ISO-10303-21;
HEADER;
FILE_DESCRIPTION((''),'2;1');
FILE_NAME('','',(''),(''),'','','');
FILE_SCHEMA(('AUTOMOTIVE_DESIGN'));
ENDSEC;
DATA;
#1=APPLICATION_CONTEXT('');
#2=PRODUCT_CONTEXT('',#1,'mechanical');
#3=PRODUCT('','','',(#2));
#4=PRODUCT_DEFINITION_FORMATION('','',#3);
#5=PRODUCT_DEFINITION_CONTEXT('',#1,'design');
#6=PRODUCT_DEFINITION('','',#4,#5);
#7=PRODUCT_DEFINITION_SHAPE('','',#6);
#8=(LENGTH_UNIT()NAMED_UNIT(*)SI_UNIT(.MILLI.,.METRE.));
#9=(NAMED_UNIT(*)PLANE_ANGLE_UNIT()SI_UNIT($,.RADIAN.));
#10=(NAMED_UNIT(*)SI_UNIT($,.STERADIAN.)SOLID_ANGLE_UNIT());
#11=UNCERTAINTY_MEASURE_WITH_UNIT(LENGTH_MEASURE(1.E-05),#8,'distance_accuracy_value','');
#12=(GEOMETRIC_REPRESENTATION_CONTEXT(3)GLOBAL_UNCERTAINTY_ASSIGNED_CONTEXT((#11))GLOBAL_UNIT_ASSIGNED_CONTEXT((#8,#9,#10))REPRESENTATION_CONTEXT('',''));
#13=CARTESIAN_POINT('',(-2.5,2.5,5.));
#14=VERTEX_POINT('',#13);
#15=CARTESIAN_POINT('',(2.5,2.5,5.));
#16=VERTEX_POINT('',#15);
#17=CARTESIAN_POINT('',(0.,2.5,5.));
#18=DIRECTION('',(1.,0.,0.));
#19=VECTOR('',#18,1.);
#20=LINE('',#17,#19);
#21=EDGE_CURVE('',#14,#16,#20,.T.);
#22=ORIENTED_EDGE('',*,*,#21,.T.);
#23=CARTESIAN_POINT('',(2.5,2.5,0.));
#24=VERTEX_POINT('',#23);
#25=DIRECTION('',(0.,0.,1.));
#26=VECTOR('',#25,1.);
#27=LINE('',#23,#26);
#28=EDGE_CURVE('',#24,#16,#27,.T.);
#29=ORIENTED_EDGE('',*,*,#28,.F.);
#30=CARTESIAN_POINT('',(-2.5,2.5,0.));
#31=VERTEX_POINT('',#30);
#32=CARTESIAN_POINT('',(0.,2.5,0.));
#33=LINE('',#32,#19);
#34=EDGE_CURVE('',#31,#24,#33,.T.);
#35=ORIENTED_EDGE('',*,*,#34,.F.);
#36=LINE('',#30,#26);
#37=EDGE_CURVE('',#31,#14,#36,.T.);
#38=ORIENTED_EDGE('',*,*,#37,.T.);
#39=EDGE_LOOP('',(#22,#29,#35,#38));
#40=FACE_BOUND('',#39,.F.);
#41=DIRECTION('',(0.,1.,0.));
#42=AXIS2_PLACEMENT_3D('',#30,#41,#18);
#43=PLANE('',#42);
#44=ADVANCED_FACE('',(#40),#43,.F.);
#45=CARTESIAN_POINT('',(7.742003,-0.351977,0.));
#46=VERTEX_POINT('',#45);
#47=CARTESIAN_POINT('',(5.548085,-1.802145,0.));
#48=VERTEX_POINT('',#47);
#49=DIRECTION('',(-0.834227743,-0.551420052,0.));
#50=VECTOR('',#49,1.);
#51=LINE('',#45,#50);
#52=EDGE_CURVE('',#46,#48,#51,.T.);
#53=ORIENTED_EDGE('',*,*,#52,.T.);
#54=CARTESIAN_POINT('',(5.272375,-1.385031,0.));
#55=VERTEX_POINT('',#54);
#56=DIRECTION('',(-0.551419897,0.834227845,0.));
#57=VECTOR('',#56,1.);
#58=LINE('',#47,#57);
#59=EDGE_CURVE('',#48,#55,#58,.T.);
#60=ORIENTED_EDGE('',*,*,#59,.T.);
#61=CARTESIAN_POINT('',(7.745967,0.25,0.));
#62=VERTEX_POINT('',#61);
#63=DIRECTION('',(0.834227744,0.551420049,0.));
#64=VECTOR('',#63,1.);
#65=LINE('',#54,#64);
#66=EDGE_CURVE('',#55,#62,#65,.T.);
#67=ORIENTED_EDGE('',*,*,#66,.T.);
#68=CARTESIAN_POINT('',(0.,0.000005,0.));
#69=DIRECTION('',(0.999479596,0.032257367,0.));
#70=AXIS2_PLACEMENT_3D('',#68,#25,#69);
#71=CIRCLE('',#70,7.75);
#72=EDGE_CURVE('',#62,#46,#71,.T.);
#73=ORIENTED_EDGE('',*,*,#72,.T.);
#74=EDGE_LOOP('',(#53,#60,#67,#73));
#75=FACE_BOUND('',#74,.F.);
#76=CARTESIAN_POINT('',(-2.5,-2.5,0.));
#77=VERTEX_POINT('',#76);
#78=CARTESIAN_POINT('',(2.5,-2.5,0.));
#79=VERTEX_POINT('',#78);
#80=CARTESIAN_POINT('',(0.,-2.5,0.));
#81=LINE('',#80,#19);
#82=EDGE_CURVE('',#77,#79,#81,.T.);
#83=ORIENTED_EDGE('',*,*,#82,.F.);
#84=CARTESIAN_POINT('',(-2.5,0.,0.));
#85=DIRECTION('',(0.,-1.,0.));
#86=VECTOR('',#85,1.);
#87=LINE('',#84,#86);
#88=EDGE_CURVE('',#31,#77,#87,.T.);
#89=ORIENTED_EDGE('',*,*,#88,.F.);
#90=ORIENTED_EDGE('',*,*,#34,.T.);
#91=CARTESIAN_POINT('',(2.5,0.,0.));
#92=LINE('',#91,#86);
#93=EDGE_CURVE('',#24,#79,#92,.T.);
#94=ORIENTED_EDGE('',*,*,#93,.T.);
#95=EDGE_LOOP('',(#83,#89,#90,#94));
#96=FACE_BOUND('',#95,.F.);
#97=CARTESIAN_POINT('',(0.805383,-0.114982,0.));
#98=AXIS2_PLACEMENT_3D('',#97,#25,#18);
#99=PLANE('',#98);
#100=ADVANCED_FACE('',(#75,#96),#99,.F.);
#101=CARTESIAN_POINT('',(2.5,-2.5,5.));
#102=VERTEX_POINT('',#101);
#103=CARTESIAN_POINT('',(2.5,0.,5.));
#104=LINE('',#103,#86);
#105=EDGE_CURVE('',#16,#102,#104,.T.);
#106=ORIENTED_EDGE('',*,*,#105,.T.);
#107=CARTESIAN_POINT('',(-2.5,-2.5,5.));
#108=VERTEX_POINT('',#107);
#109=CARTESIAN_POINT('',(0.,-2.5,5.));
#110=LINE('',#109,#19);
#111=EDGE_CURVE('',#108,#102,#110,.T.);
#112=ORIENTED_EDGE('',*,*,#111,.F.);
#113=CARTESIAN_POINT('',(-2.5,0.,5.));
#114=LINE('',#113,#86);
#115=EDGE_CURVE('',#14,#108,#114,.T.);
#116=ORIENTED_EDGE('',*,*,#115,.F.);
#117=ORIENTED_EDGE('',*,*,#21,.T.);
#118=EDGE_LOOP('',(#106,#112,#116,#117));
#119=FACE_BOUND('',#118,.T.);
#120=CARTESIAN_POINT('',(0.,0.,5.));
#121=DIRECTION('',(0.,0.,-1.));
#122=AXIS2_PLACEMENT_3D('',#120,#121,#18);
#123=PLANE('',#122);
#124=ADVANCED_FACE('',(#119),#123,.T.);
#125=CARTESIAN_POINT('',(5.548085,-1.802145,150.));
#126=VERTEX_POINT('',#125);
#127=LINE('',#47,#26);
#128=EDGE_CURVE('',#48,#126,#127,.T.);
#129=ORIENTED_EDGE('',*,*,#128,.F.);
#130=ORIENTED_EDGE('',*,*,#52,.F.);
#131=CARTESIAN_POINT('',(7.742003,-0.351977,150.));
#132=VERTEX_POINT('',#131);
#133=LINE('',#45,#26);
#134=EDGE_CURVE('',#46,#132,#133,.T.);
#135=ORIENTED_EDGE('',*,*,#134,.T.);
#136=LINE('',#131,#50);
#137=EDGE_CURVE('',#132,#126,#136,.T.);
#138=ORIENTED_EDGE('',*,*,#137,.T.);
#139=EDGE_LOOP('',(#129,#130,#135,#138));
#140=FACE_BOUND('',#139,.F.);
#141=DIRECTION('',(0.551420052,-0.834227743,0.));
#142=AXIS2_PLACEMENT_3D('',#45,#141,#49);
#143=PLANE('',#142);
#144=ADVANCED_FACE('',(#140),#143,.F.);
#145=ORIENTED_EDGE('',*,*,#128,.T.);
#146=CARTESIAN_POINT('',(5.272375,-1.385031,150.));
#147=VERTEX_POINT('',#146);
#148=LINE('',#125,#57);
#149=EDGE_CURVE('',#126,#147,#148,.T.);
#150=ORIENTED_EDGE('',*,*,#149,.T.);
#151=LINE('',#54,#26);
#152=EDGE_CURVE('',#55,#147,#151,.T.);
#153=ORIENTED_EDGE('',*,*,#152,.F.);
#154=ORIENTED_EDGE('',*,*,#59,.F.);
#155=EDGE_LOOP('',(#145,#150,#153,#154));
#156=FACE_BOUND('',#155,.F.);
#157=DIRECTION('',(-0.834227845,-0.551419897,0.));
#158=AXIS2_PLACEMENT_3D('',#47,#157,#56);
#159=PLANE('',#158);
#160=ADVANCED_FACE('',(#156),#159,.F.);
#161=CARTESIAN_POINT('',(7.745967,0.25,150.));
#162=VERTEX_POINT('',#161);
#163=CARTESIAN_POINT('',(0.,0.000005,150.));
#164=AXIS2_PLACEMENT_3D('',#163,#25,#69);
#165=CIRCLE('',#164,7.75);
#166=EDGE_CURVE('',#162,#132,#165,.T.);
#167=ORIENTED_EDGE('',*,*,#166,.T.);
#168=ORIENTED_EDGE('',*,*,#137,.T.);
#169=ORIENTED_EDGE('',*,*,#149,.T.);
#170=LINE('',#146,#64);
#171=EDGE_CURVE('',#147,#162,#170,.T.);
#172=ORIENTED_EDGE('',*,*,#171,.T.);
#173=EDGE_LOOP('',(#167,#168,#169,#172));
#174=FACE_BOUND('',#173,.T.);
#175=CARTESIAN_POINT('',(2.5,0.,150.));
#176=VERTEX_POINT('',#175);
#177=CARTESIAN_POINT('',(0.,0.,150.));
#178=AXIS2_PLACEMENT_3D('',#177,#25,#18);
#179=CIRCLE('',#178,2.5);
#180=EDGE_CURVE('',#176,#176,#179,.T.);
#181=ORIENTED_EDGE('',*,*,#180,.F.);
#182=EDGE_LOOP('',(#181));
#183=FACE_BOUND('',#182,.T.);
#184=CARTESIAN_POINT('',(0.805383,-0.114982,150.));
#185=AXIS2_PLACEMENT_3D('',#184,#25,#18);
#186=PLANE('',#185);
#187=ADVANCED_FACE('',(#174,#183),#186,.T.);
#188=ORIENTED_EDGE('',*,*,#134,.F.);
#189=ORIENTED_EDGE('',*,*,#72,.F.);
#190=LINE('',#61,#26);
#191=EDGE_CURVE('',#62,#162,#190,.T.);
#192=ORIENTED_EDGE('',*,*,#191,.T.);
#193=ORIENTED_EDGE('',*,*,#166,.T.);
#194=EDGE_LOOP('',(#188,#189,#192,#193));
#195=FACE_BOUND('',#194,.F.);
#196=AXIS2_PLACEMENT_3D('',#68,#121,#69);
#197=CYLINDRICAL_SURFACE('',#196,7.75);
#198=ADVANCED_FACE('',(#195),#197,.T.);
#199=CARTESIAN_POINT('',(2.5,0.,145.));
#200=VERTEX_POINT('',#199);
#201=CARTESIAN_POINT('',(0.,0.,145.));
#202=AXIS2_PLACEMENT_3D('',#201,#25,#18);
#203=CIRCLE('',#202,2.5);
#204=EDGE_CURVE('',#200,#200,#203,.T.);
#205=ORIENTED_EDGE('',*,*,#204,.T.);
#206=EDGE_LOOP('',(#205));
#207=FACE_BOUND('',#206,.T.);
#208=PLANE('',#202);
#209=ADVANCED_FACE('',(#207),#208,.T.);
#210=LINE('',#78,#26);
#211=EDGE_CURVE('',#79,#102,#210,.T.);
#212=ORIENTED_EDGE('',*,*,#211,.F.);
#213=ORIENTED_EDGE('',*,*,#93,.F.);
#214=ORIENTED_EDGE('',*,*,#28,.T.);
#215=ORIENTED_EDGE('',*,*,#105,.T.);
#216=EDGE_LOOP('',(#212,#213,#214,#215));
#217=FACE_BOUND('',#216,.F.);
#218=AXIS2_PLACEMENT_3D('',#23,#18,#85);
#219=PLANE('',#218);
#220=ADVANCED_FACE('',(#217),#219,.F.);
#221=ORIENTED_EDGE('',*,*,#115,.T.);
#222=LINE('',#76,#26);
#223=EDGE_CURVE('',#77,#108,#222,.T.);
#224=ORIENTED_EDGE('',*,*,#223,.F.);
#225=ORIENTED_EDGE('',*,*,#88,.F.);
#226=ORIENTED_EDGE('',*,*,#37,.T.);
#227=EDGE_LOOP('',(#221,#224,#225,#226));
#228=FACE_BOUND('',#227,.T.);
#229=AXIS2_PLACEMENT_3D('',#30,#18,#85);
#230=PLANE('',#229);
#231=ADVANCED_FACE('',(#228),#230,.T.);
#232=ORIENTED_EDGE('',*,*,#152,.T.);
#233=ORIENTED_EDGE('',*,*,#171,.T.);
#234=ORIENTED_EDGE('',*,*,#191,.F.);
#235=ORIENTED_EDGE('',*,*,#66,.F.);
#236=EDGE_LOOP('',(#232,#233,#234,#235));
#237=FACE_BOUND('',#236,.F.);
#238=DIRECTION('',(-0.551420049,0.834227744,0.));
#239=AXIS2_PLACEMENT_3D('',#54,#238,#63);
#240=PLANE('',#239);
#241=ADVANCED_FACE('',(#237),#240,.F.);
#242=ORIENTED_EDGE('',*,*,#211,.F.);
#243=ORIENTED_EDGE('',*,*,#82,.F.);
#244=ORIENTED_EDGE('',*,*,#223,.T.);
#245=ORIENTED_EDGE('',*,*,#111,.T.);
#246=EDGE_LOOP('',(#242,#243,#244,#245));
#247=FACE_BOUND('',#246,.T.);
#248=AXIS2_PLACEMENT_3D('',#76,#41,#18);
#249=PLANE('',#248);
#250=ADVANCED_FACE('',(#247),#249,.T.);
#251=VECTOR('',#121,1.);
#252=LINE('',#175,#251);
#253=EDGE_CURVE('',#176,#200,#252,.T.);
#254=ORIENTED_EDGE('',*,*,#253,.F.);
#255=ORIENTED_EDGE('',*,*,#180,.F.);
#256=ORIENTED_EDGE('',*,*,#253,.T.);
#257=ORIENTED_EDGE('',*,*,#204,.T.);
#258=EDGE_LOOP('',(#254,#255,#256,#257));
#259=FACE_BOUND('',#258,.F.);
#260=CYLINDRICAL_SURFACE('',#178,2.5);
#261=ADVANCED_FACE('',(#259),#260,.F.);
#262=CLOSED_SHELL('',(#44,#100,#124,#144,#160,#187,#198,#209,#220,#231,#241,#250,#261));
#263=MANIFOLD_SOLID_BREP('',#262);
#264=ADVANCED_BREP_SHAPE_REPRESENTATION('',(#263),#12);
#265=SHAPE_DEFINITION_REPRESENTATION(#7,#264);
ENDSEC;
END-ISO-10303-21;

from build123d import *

# Parameters (mm, degrees)
F1_DEPTH = 150
F2_R     = 2.5
F3_DEPTH = 5
F4_W     = 5
F4_H     = 5
F5_DEPTH = 5


with BuildPart() as f1:
    # F0 (on Top) → F1 (new body)
    with BuildSketch(Plane.XY):
        with BuildLine():
            Line((5.272375, -1.385031), (7.745967, 0.25))
            ThreePointArc((7.745967, 0.25), (-7.749832, 0.051027), (7.742003, -0.351977))
            Line((7.742003, -0.351977), (5.548085, -1.802145))
            Line((5.548085, -1.802145), (5.272375, -1.385031))
        make_face()
    extrude(amount=F1_DEPTH)

    # F2 (on face) → F3 (cut)
    with BuildSketch(Plane.XY.offset(150)):
        Circle(F2_R)
    extrude(amount=-F3_DEPTH, mode=Mode.SUBTRACT)

    # F4 (on face) → F5 (cut)
    with BuildSketch(Plane(origin=(0, 0, 0), x_dir=(1, 0, 0), z_dir=(0, 0, -1))):
        Rectangle(F4_W, F4_H)
    extrude(amount=-F5_DEPTH, mode=Mode.SUBTRACT)


solid = f1.part
